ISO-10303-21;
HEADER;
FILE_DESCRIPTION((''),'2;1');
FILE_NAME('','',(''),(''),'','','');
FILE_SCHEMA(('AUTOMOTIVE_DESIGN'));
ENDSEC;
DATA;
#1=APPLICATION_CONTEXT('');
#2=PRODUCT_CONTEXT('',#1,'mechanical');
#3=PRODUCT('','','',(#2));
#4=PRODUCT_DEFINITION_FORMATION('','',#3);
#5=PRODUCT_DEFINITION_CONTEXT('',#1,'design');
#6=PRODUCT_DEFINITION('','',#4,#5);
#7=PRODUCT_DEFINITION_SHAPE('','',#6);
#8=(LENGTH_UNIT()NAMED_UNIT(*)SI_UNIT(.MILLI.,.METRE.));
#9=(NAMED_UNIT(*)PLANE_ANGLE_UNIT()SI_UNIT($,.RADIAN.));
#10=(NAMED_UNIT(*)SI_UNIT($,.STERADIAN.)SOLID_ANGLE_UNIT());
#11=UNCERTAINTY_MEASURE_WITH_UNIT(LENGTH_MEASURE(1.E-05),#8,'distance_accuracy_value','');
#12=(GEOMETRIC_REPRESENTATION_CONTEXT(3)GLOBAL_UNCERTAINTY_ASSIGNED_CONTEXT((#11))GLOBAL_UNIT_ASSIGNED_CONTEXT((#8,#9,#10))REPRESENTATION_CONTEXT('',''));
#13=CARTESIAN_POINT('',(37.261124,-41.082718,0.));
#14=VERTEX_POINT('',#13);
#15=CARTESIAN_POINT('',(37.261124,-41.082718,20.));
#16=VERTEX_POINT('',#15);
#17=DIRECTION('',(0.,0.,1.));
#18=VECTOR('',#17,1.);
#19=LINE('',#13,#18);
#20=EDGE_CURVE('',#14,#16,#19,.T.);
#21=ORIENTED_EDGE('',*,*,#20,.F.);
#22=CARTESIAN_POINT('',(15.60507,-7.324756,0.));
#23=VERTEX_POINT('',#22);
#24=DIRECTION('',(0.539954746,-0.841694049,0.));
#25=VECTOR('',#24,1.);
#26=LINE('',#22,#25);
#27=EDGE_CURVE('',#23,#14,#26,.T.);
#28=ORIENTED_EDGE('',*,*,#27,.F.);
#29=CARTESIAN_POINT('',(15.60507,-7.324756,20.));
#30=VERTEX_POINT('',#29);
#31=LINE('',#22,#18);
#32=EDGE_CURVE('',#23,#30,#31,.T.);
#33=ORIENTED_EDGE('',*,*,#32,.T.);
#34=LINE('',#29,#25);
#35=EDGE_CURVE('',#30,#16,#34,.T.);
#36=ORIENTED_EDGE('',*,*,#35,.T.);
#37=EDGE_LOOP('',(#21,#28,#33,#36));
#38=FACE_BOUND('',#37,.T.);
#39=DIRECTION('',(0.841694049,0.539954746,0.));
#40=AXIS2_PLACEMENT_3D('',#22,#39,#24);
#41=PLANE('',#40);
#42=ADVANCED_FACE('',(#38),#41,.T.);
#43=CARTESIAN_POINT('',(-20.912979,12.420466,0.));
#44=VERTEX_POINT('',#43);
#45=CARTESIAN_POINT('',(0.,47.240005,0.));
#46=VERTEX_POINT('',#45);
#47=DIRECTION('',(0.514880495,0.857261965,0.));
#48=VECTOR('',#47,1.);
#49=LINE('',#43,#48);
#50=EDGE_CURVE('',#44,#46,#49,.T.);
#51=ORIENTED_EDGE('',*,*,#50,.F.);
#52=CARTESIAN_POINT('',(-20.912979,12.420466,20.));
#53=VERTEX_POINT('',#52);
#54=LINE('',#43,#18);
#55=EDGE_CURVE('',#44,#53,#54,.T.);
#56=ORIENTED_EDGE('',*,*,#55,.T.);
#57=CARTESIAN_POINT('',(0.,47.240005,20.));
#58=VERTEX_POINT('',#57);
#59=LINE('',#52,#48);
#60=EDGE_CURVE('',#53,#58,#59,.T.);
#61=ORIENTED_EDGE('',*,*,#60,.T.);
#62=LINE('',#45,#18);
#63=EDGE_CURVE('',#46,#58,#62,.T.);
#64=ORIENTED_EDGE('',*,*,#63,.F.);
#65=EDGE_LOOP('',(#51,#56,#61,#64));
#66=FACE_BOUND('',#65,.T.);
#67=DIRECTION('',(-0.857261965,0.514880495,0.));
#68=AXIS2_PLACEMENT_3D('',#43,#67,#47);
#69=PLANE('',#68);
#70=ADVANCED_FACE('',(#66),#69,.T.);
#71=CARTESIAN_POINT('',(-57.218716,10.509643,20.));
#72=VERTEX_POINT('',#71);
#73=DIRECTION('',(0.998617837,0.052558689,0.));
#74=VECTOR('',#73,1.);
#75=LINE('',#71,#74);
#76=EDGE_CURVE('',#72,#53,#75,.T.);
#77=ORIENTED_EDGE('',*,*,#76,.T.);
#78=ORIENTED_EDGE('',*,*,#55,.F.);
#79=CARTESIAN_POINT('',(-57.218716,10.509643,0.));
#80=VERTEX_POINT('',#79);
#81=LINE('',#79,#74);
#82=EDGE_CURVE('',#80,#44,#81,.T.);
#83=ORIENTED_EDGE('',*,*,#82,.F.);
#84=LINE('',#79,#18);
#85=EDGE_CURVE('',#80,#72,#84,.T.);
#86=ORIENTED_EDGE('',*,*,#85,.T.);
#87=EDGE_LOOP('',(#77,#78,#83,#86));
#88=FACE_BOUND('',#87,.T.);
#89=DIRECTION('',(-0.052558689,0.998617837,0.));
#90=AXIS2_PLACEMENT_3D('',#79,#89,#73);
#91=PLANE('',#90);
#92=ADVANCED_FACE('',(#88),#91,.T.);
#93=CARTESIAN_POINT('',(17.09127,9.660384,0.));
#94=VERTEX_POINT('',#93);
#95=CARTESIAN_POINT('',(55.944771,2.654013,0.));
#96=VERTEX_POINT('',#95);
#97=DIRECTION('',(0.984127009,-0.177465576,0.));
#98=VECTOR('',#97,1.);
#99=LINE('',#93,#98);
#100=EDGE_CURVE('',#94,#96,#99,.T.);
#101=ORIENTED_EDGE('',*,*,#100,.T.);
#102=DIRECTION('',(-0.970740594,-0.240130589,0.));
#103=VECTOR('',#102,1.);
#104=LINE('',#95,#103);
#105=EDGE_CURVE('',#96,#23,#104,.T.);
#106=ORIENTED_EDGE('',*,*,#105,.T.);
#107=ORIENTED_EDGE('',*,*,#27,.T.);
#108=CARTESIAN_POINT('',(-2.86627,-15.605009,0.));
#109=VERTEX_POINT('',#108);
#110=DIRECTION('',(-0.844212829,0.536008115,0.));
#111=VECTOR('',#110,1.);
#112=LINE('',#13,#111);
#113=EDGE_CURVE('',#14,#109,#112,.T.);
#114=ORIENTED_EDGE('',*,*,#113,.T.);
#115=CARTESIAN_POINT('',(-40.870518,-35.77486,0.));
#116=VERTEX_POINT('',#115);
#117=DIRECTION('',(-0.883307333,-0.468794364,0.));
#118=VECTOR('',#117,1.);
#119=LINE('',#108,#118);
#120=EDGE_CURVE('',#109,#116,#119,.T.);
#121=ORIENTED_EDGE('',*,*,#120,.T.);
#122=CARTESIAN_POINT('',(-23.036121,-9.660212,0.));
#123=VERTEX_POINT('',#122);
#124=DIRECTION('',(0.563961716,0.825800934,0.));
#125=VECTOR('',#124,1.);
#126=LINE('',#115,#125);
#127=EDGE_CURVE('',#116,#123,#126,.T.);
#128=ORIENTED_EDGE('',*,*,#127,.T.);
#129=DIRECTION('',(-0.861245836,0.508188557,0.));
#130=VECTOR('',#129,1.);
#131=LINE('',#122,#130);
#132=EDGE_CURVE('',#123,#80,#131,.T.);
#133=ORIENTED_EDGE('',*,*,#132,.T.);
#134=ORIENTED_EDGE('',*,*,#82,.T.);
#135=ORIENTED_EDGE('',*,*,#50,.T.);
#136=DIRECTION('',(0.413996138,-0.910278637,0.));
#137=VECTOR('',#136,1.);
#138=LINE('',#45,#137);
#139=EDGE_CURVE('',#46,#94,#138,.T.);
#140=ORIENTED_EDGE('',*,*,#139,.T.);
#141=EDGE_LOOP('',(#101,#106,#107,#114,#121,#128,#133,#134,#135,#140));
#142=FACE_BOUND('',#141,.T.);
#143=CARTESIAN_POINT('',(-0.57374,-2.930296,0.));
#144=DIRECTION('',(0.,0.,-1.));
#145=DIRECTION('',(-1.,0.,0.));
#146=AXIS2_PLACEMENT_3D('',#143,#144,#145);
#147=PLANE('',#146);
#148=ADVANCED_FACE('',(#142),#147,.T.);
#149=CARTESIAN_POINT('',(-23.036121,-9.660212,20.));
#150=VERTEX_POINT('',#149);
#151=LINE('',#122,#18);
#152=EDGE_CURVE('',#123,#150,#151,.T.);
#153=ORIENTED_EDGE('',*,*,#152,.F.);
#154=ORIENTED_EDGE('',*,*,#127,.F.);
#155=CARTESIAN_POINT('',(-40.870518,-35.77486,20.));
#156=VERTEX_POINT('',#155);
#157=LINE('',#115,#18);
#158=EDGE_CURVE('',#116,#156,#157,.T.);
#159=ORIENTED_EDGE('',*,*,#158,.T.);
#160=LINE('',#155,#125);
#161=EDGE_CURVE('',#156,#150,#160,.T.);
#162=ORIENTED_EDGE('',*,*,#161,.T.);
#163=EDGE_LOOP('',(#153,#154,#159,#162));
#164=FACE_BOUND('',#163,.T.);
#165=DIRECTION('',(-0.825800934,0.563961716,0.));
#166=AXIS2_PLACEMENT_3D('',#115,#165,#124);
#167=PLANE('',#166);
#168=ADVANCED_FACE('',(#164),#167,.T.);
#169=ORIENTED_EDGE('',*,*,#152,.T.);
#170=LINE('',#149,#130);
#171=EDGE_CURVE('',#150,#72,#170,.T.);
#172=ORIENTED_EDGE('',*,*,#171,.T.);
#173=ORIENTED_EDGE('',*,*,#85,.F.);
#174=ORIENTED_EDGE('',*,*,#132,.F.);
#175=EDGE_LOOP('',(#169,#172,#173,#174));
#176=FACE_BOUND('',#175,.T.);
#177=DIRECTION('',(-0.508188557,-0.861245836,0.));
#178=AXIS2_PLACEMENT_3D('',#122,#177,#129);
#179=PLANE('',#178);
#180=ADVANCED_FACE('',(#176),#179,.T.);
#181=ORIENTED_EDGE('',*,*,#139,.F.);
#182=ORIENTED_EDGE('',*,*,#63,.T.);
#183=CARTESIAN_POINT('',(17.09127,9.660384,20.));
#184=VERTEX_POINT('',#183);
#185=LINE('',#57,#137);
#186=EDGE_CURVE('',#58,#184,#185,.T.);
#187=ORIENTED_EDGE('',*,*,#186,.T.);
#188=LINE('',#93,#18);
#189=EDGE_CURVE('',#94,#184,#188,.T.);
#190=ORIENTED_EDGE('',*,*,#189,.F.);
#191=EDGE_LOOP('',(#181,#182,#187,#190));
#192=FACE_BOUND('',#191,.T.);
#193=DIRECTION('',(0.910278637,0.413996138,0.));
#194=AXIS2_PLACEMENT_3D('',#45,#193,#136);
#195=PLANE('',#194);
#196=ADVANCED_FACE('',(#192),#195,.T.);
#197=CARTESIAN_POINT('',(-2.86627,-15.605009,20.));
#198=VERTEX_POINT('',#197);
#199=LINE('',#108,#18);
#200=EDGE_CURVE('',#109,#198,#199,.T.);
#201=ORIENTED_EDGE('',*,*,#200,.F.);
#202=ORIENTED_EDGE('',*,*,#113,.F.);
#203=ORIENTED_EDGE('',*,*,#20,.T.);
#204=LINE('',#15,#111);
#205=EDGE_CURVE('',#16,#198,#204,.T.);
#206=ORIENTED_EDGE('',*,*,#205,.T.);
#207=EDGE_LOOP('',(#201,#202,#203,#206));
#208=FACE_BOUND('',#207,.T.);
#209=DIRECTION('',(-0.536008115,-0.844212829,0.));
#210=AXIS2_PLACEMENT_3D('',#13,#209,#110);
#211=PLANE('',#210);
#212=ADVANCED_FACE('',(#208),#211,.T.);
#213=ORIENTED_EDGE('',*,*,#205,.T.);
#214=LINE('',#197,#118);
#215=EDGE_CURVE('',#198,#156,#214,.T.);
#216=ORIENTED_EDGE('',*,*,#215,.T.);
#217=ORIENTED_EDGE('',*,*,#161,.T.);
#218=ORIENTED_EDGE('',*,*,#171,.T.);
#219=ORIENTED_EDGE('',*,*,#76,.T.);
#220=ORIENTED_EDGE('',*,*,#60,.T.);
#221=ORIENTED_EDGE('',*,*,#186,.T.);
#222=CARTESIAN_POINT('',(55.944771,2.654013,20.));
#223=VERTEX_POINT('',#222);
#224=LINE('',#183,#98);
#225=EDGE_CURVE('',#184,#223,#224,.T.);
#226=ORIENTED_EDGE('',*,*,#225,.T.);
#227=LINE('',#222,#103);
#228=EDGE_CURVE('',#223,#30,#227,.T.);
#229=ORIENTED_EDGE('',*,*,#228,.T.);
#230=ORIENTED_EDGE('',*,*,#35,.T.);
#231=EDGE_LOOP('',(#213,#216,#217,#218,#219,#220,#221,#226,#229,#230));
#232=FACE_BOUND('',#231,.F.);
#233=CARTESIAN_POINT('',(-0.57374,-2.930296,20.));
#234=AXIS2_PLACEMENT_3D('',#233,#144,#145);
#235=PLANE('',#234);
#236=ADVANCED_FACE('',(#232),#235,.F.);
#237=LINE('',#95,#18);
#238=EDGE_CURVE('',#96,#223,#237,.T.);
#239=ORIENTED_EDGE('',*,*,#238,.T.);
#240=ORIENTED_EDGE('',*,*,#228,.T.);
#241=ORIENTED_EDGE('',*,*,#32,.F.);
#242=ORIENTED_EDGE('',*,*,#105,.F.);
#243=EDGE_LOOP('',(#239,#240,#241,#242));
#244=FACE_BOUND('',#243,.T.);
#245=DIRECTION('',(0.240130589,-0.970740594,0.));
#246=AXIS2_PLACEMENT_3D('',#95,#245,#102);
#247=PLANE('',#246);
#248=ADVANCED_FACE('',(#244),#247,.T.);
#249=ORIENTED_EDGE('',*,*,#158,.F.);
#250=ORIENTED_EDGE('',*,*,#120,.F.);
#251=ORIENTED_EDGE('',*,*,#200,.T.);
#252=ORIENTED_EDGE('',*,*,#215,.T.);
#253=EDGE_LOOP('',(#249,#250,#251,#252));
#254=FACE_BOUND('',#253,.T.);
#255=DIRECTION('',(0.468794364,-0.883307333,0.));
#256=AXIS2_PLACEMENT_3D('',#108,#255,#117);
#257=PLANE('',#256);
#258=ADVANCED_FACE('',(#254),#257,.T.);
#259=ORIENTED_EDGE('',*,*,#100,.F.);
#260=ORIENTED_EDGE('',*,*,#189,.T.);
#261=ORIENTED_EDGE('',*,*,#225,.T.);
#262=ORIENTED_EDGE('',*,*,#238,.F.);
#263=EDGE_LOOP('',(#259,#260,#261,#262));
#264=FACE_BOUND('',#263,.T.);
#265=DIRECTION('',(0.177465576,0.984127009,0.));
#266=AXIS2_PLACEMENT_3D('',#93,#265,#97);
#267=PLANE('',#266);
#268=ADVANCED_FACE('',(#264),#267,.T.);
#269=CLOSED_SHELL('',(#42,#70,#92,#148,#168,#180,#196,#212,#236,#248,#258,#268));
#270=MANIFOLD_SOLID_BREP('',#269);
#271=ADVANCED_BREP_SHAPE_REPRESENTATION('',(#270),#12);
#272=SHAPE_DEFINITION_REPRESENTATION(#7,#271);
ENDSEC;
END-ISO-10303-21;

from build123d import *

# Parameters (mm, degrees)
PAD_DEPTH = 20


with BuildPart() as part:
    # Sketch → Pad (new body)
    with BuildSketch(Plane.XY):
        Polygon((0, 47.240005), (17.09127, 9.660384), (55.944771, 2.654013), (15.60507, -7.324756), (37.261124, -41.082718), (-2.86627, -15.605009), (-40.870518, -35.77486), (-23.036121, -9.660212), (-57.218716, 10.509643), (-20.912979, 12.420466), align=None)
    extrude(amount=PAD_DEPTH)


solid = part.part
